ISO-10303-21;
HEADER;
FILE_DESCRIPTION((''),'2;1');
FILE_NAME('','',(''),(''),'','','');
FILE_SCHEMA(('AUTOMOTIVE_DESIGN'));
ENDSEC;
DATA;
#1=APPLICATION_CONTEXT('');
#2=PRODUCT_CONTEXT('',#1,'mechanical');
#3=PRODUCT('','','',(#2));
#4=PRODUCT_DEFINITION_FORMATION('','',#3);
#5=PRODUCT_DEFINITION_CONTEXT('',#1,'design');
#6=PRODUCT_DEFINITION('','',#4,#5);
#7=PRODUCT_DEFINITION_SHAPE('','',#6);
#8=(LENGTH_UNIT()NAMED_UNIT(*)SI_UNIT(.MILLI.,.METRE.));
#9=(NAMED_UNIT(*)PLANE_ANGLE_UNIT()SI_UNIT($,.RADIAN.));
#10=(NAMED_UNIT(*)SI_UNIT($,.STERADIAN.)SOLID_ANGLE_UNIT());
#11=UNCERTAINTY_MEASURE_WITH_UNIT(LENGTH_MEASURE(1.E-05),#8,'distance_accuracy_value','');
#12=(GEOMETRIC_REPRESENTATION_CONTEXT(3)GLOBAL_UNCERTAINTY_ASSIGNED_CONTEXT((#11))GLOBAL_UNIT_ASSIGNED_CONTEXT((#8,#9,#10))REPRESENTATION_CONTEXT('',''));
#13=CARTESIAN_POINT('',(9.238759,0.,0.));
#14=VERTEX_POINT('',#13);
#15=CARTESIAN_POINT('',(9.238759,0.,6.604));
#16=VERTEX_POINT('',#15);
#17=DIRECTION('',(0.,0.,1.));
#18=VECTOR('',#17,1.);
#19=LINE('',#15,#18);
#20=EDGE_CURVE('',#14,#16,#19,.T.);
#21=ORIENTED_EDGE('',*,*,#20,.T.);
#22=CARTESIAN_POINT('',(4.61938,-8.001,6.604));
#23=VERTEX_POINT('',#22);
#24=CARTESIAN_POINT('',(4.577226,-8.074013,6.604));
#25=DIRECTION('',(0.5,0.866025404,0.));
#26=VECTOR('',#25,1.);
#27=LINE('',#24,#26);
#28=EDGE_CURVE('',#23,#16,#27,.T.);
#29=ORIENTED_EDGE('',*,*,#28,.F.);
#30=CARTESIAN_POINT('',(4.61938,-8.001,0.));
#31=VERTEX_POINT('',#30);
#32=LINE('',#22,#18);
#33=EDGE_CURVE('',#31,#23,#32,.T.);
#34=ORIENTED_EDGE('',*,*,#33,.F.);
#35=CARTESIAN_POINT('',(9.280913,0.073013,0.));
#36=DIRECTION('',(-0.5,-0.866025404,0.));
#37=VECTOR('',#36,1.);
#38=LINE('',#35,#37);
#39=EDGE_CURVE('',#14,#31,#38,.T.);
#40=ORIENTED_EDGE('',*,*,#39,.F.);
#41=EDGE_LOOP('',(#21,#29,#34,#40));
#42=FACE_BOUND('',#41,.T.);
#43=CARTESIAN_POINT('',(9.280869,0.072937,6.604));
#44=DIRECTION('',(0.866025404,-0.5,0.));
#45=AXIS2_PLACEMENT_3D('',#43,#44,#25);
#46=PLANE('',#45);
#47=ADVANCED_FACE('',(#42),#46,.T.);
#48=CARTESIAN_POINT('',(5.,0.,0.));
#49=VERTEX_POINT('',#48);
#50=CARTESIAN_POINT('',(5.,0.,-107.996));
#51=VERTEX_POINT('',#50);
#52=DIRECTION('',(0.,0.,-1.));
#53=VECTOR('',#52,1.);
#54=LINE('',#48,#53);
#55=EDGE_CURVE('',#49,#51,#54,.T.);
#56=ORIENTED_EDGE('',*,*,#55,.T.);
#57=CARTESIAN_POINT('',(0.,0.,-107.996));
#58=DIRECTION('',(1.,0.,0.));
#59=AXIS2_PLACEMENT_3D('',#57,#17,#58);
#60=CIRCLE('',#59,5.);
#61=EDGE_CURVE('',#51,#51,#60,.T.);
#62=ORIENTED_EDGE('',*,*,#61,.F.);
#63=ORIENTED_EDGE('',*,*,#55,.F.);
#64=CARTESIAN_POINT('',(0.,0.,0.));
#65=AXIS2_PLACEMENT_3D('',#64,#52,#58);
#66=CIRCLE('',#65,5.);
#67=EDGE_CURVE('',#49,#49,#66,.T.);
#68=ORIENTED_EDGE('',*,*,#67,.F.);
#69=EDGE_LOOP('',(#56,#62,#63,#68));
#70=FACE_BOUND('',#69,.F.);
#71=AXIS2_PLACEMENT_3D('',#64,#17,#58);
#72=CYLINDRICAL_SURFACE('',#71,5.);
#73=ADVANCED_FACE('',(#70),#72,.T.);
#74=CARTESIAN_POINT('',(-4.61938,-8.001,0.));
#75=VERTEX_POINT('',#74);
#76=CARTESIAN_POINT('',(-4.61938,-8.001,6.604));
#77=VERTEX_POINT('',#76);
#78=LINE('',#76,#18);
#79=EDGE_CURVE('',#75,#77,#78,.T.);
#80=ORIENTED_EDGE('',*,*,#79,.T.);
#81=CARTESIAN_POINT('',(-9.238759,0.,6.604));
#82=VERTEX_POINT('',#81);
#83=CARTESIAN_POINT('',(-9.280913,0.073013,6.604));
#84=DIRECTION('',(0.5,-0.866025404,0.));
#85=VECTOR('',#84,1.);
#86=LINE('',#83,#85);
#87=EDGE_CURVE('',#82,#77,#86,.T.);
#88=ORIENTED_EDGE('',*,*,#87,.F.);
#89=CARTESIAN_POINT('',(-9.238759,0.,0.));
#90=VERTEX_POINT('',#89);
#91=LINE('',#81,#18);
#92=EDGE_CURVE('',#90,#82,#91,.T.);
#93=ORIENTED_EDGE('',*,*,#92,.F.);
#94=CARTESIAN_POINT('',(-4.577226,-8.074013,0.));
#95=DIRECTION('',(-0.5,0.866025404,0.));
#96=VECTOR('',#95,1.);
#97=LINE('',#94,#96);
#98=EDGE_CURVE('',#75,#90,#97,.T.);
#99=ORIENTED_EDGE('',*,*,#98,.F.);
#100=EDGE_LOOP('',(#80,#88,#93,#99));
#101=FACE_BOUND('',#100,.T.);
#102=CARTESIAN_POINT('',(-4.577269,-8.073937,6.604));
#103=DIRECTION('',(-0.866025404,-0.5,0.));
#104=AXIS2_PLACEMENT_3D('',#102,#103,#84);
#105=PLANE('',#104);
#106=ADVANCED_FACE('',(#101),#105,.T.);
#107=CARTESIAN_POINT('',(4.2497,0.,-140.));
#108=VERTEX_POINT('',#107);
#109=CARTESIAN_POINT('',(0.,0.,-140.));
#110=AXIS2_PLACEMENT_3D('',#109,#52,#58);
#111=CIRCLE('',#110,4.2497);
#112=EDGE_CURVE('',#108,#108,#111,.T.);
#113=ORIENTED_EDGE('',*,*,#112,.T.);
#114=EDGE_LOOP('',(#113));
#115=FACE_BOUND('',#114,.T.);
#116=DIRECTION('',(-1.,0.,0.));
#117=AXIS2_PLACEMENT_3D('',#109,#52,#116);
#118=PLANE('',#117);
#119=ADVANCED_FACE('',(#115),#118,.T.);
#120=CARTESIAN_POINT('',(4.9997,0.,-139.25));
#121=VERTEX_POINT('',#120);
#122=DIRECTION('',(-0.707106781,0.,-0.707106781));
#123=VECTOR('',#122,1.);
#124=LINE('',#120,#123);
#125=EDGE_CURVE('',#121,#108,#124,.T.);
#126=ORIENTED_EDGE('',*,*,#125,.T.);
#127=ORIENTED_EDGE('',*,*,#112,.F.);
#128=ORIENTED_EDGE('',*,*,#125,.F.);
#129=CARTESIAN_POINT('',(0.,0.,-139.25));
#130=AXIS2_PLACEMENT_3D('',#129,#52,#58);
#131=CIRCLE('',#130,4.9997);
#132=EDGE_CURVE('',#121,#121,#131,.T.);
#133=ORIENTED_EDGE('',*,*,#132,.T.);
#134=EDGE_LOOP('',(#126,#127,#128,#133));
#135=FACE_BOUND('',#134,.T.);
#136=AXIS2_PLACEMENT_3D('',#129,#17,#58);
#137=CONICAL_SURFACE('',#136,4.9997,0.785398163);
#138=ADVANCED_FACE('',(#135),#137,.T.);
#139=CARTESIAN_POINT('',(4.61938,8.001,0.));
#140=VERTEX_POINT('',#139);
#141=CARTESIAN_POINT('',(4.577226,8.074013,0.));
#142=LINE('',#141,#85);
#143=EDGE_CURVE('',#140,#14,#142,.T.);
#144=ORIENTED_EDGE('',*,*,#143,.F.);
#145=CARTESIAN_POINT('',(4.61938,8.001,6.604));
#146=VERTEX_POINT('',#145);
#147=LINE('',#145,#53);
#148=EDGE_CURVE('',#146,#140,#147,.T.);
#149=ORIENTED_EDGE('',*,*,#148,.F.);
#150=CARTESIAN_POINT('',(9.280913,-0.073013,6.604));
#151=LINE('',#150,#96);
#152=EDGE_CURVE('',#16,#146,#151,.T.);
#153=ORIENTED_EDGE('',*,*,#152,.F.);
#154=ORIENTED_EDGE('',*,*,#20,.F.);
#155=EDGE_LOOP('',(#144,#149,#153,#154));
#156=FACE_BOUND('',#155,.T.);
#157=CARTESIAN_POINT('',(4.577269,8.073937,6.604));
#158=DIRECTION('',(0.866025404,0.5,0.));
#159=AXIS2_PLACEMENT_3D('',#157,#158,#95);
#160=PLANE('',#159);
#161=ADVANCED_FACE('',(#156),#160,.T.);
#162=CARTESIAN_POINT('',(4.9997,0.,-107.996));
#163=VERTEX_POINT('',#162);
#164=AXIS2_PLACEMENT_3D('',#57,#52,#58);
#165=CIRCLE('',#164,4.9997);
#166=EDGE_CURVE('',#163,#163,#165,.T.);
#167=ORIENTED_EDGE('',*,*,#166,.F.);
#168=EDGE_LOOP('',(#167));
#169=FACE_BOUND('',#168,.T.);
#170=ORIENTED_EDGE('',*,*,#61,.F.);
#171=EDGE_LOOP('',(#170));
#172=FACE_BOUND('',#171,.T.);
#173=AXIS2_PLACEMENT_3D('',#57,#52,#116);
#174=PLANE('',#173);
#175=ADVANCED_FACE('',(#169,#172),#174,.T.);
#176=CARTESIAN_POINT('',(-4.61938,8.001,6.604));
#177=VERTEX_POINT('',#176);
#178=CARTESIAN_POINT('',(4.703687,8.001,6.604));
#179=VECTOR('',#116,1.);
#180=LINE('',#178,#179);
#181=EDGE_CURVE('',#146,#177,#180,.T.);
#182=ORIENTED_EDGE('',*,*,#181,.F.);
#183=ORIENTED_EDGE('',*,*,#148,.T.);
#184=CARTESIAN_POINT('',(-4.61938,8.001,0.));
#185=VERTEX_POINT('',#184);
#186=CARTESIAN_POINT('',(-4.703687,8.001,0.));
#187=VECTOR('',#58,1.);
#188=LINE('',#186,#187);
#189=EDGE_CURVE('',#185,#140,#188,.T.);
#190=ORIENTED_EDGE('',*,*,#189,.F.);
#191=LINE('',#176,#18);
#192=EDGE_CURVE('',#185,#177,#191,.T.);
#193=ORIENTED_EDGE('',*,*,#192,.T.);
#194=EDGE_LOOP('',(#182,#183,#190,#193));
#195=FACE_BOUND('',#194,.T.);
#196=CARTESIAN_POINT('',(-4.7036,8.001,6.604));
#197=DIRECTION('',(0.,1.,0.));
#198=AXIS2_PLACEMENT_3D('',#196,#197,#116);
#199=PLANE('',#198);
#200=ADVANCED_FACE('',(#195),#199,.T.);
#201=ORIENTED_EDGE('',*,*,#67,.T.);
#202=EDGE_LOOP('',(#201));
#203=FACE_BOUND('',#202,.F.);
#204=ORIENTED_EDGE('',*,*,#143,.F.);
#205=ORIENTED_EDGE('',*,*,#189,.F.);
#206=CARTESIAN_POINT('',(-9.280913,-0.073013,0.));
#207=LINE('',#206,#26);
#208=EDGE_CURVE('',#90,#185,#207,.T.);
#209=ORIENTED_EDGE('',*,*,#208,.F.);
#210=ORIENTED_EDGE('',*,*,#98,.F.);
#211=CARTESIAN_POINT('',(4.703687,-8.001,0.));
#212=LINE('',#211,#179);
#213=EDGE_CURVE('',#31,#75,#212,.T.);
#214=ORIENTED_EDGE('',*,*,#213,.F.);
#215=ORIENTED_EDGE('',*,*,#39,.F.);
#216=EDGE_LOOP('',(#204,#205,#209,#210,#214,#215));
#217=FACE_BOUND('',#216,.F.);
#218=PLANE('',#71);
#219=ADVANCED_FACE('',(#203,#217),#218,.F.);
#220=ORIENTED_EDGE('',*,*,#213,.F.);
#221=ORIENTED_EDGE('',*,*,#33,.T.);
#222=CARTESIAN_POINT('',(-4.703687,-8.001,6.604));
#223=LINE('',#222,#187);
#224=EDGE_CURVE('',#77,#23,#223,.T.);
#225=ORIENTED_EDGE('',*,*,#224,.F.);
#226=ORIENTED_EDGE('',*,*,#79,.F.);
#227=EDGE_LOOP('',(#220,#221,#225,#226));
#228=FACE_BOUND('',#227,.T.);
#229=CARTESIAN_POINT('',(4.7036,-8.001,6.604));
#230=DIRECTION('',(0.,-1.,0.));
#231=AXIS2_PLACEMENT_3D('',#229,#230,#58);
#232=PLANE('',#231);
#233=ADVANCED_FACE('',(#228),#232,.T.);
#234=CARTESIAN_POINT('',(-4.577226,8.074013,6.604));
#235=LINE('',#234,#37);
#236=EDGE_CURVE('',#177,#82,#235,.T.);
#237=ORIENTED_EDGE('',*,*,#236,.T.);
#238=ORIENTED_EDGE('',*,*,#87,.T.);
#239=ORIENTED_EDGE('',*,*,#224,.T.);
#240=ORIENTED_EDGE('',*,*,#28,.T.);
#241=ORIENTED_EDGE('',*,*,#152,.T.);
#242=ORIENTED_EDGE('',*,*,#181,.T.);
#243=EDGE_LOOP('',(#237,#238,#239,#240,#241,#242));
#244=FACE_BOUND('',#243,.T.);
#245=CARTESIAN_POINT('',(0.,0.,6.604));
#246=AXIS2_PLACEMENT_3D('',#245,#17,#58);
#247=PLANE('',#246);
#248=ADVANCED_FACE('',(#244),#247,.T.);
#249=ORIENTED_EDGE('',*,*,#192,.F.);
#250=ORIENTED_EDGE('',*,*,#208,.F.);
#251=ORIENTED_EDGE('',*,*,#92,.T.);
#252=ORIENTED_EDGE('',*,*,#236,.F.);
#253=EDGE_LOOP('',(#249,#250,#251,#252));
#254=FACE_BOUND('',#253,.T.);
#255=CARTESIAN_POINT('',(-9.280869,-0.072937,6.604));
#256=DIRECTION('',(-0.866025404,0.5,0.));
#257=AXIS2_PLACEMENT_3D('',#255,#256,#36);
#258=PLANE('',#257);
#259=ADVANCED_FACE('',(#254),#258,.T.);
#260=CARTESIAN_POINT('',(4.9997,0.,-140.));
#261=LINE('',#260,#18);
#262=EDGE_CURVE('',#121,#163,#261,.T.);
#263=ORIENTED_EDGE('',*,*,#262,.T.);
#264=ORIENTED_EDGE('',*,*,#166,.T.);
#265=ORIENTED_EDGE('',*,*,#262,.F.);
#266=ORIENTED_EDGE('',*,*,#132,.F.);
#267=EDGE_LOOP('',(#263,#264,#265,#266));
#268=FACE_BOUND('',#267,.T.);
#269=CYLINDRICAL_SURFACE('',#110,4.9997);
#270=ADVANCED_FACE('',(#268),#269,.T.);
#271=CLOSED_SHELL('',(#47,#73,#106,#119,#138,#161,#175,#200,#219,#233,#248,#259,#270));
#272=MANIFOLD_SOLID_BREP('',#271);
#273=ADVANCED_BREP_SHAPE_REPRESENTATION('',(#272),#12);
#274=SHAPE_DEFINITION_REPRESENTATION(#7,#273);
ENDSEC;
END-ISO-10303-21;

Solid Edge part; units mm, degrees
sketch "Sketch1" plane through (0, 0, 0) normal (0, 0, 1) x (1, 0, 0)
  circle A0 centre (0, 0) radius 9.2812
  dimension "D1" = 18.5623
extrude "Protrusion1" add sketch "Sketch1" along normal blind 6.604
sketch "Sketch2" plane through (0, 0, 0) normal (0, 0, -1) x (1, 0, 0)
  circle A0 centre (0, 0) radius 5
extrude "Protrusion2" add sketch "Sketch2" along normal blind 140
sketch "Sketch3" plane through (0, 0, -140) normal (0, 0, -1) x (1, 0, 0)
  circle A0 centre (0, 0) radius 4.9997
extrude "Cutout1" cut sketch "Sketch3" against normal blind 32.004 flip side to cut
chamfer "Chamfer_1" distance 0.75 angle 45 1 edges at (-4.9997, 0, -140)
sketch "Sketch4" plane through (0, 0, 6.604) normal (0, 0, 1) x (1, 0, 0)
  line L0 (-4.7036, 8.001) -> (4.7036, 8.001)
  dimension "D1" = 16.002
extrude "Cutout2" cut sketch "Sketch4" against normal up to next material side at (0, 8.051, 6.604)
pattern_circular "Pattern1" count 6 over 360 about axis through (0, 0, 6.604) along (0, 0, 1) of "Cutout2"
properties part number "118010" material "Stainless Steel, 304"
